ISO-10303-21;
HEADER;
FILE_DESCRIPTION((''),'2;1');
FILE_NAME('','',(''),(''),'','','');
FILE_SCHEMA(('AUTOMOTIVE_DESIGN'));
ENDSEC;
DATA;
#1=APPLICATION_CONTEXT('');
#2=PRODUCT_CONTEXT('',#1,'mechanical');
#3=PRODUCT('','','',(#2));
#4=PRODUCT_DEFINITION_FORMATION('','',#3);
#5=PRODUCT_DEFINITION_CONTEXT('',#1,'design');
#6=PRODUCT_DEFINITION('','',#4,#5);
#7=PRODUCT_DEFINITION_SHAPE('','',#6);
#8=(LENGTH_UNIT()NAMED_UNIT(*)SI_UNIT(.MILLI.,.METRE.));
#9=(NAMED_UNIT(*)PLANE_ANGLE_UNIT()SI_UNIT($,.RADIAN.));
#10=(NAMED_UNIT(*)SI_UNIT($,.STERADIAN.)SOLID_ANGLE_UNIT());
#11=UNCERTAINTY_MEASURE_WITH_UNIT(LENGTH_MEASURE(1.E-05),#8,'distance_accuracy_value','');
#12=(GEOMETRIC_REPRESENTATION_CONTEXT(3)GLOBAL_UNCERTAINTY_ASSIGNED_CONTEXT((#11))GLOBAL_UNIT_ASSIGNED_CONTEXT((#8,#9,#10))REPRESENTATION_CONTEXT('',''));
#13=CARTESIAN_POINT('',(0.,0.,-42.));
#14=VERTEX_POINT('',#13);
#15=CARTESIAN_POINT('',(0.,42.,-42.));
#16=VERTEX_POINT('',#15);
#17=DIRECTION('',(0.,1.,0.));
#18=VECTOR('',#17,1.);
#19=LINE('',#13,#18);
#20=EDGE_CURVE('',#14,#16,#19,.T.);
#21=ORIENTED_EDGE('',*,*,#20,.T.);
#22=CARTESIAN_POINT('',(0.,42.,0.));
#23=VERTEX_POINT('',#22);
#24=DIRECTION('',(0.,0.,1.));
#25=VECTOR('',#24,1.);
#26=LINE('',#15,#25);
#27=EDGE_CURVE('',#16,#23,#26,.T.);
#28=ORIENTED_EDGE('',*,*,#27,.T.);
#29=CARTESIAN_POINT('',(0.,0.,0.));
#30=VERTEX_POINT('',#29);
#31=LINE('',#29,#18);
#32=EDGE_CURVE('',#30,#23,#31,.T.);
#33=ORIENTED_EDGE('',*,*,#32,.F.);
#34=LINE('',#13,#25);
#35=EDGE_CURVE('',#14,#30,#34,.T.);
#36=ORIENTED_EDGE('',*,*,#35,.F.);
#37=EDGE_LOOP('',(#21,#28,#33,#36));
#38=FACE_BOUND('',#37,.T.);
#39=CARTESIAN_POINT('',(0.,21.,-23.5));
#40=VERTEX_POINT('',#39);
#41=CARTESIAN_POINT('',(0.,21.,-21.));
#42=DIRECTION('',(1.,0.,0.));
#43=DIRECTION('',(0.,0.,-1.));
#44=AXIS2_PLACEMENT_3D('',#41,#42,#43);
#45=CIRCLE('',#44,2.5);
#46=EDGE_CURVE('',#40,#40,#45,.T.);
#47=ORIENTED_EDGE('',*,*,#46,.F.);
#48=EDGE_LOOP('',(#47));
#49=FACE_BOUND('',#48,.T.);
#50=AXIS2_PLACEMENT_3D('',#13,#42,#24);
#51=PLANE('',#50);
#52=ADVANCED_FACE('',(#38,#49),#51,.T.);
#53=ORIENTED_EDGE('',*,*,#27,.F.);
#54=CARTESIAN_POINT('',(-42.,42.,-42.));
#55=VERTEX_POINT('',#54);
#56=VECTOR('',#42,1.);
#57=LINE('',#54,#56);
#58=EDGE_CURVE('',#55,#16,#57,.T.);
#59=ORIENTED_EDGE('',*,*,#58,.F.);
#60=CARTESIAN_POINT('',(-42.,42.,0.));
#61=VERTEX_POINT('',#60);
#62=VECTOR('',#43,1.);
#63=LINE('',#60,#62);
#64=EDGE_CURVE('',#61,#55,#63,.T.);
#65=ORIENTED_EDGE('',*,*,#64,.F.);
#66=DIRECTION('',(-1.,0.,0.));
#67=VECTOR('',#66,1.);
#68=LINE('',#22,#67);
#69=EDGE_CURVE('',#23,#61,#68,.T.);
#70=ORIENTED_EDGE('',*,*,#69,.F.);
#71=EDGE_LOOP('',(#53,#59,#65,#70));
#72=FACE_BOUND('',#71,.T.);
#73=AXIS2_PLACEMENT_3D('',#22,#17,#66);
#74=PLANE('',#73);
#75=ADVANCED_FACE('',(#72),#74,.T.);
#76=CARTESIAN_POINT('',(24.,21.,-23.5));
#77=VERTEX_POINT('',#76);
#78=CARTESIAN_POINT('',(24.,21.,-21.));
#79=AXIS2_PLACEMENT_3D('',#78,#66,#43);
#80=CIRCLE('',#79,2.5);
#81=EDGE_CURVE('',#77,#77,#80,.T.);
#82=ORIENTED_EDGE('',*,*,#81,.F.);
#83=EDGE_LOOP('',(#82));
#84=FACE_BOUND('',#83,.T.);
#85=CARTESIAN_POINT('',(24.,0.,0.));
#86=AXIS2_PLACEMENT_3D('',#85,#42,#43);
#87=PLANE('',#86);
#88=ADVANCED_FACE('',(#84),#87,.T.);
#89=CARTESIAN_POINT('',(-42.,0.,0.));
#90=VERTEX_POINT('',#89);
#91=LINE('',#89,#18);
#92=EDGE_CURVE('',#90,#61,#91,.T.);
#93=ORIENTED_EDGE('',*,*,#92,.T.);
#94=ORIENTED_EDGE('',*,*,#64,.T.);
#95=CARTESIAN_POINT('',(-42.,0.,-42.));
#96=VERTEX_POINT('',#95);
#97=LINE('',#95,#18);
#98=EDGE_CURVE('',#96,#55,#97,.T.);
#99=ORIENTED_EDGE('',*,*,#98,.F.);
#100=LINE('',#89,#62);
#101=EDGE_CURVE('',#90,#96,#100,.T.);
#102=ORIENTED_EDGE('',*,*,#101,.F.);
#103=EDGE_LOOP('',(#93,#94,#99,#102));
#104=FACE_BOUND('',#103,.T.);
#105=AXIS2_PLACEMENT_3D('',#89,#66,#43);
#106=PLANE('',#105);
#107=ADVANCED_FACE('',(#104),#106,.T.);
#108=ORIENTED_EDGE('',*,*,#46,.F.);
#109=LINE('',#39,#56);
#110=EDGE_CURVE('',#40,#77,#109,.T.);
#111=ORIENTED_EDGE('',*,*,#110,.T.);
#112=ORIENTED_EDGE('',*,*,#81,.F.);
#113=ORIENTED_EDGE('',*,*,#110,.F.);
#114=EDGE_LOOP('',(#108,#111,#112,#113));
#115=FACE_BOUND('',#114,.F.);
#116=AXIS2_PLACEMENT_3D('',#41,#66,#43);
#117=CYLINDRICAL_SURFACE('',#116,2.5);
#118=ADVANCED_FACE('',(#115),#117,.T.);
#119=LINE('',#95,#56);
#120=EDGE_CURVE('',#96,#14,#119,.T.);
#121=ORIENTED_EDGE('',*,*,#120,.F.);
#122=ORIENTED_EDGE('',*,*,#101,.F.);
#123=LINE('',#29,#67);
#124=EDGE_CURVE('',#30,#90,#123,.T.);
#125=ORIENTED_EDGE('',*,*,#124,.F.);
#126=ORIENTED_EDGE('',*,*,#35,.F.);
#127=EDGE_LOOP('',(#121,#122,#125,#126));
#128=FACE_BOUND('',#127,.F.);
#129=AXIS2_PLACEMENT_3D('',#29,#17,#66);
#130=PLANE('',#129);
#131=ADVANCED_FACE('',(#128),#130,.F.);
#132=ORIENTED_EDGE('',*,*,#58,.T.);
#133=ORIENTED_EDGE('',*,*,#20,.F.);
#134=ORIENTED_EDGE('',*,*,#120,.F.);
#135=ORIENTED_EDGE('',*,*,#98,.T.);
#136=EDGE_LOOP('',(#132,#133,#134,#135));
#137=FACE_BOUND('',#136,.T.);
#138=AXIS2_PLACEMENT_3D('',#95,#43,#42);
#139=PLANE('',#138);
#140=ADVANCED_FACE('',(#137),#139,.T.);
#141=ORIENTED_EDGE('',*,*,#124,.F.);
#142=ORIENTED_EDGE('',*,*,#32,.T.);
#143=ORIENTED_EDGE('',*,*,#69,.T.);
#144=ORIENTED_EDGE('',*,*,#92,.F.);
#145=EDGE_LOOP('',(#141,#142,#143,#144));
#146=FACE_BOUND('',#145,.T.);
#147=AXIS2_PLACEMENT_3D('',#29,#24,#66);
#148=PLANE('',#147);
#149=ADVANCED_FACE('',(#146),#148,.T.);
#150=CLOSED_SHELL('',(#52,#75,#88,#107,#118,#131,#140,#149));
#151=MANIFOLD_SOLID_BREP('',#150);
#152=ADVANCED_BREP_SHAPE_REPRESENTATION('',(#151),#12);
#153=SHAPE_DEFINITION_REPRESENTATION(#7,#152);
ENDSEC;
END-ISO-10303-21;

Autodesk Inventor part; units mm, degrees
ref_plane "YZ Plane" through (0, 0, 0) normal (1, 0, 0) x (0, 1, 0)
ref_plane "XZ Plane" through (0, 0, 0) normal (0, 1, 0) x (-1, 0, 0)
ref_plane "XY Plane" through (0, 0, 0) normal (0, 0, 1) x (1, 0, 0)
sketch "Sketch1" plane through (0, 0, 0) normal (0, 1, 0) x (-1, 0, 0)
  line L0 (0, 0) -> (42, 0)
  line L1 (42, 0) -> (42, -42)
  line L2 (42, -42) -> (0, -42)
  line L3 (0, -42) -> (0, 0)
  dimension "d0" = 42
  dimension "d1" = 42
extrude "Extrusion1" add sketch "Sketch1" along normal blind 42
sketch "Sketch2" plane through (0, 0, 0) normal (1, 0, 0) x (0, 0, -1)
  line L0 (42, 0) -> (42, 42) projected
  line L1 (0, 0) -> (42, 42)
  circle A0 centre (21, 21) radius 2.5
  dimension "d4" = 5
extrude "Extrusion2" add sketch "Sketch2" along normal blind 24
properties part number "nema17"
